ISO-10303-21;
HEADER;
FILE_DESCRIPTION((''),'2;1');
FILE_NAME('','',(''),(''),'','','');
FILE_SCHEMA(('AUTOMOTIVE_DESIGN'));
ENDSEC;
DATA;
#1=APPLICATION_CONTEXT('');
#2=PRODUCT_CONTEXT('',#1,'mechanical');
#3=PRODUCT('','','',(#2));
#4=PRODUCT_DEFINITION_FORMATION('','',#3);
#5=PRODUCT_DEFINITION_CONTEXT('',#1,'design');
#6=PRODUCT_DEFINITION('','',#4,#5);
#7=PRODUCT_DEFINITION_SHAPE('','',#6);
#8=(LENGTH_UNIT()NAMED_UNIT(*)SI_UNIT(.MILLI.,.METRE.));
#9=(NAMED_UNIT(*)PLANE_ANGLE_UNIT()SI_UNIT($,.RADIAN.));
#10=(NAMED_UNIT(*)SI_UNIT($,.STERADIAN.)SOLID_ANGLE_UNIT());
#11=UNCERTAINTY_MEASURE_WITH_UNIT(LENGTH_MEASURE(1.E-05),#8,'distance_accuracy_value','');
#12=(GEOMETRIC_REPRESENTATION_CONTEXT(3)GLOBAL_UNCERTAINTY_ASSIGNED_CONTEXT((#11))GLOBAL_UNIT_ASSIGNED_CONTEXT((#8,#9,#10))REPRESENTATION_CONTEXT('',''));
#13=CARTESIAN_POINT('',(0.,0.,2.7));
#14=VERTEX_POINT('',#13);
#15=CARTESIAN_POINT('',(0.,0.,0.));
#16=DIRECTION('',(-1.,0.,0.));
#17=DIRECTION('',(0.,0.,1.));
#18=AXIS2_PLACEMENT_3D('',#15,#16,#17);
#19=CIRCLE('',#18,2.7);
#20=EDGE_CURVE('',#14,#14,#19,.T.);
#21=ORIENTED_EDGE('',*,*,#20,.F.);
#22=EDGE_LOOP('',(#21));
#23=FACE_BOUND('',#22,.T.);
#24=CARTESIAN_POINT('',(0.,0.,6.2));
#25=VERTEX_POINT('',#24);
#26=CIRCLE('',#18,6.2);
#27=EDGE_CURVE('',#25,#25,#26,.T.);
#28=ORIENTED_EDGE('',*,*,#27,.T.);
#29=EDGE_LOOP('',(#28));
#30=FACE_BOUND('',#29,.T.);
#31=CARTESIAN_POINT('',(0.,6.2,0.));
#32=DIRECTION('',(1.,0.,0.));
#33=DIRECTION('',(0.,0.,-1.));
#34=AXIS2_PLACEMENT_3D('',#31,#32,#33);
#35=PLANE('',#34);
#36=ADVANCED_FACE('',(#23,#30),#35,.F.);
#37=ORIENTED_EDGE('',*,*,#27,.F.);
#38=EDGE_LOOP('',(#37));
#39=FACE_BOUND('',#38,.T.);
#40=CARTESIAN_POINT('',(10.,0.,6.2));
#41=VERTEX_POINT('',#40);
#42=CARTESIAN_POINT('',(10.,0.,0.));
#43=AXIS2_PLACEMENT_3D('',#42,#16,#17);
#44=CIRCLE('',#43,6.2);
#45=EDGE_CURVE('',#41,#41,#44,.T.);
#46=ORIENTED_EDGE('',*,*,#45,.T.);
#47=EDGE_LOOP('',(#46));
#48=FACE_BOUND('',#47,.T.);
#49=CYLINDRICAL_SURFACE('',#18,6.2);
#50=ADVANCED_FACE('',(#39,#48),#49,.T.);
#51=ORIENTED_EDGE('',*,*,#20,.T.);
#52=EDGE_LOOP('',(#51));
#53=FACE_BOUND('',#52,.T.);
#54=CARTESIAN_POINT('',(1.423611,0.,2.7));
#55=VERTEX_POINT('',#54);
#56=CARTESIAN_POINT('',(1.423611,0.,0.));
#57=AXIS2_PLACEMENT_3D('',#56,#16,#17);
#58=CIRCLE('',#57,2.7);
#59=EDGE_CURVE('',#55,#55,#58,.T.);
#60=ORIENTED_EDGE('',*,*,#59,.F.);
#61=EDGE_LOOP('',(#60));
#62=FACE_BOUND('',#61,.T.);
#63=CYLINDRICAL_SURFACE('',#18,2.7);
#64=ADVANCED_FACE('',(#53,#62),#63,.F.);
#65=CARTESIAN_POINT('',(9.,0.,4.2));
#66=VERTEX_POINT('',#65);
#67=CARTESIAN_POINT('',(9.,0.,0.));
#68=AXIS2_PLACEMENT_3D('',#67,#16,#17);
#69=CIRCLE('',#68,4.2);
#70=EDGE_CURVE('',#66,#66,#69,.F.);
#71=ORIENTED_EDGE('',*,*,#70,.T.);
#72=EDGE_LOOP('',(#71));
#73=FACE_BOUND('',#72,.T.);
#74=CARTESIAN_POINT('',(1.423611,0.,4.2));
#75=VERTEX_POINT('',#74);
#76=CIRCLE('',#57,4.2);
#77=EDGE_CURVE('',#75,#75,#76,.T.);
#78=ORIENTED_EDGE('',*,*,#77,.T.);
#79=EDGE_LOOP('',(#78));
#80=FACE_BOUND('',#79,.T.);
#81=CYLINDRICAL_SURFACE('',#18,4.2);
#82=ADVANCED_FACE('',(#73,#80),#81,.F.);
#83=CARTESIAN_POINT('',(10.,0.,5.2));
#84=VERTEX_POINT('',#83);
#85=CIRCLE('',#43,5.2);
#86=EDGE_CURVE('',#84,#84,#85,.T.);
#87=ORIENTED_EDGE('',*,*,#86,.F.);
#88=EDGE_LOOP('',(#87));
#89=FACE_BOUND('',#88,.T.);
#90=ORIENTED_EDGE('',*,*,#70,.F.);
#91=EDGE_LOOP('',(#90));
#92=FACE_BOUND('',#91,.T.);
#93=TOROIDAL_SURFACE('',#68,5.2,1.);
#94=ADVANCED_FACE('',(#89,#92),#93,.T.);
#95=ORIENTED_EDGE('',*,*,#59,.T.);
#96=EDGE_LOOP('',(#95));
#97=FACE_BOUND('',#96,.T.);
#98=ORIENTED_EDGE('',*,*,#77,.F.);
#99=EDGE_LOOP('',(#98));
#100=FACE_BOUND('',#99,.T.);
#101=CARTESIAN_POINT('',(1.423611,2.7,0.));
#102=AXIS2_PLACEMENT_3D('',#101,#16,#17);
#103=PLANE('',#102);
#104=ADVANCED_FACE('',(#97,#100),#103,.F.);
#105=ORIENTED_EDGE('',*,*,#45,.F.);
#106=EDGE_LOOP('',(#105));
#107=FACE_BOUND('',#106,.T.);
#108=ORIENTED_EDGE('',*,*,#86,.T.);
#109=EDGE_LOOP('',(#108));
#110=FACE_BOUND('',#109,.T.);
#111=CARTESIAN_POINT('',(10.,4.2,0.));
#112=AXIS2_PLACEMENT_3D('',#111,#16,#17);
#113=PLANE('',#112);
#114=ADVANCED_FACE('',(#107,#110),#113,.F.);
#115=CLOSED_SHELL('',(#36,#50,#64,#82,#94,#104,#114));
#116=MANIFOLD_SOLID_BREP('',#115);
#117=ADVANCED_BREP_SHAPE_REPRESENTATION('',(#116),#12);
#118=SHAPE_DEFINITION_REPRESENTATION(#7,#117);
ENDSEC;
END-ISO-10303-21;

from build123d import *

# Parameters (mm, degrees)
FILLET1_R = 1


with BuildPart() as part:
    # Sketch1 → Revolve1 (revolve)
    with BuildSketch(Plane.XY, mode=Mode.PRIVATE) as revolve1_sk:
        Polygon((0, 2.7), (1.423611111, 2.7), (1.423611111, 4.2), (10, 4.2), (10, 6.2), (0, 6.2), align=None)
    revolve(revolve1_sk.sketch.rotate(Axis((0, 0, 0), (1, 0, 0)), 90), axis=Axis((0, 0, 0), (1, 0, 0)))

    # Fillet1
    fillet1_edges = [part.edges().sort_by_distance(p)[0] for p in [
        (10, 0, -4.2),
    ]]
    fillet(fillet1_edges, radius=FILLET1_R)


solid = part.part
